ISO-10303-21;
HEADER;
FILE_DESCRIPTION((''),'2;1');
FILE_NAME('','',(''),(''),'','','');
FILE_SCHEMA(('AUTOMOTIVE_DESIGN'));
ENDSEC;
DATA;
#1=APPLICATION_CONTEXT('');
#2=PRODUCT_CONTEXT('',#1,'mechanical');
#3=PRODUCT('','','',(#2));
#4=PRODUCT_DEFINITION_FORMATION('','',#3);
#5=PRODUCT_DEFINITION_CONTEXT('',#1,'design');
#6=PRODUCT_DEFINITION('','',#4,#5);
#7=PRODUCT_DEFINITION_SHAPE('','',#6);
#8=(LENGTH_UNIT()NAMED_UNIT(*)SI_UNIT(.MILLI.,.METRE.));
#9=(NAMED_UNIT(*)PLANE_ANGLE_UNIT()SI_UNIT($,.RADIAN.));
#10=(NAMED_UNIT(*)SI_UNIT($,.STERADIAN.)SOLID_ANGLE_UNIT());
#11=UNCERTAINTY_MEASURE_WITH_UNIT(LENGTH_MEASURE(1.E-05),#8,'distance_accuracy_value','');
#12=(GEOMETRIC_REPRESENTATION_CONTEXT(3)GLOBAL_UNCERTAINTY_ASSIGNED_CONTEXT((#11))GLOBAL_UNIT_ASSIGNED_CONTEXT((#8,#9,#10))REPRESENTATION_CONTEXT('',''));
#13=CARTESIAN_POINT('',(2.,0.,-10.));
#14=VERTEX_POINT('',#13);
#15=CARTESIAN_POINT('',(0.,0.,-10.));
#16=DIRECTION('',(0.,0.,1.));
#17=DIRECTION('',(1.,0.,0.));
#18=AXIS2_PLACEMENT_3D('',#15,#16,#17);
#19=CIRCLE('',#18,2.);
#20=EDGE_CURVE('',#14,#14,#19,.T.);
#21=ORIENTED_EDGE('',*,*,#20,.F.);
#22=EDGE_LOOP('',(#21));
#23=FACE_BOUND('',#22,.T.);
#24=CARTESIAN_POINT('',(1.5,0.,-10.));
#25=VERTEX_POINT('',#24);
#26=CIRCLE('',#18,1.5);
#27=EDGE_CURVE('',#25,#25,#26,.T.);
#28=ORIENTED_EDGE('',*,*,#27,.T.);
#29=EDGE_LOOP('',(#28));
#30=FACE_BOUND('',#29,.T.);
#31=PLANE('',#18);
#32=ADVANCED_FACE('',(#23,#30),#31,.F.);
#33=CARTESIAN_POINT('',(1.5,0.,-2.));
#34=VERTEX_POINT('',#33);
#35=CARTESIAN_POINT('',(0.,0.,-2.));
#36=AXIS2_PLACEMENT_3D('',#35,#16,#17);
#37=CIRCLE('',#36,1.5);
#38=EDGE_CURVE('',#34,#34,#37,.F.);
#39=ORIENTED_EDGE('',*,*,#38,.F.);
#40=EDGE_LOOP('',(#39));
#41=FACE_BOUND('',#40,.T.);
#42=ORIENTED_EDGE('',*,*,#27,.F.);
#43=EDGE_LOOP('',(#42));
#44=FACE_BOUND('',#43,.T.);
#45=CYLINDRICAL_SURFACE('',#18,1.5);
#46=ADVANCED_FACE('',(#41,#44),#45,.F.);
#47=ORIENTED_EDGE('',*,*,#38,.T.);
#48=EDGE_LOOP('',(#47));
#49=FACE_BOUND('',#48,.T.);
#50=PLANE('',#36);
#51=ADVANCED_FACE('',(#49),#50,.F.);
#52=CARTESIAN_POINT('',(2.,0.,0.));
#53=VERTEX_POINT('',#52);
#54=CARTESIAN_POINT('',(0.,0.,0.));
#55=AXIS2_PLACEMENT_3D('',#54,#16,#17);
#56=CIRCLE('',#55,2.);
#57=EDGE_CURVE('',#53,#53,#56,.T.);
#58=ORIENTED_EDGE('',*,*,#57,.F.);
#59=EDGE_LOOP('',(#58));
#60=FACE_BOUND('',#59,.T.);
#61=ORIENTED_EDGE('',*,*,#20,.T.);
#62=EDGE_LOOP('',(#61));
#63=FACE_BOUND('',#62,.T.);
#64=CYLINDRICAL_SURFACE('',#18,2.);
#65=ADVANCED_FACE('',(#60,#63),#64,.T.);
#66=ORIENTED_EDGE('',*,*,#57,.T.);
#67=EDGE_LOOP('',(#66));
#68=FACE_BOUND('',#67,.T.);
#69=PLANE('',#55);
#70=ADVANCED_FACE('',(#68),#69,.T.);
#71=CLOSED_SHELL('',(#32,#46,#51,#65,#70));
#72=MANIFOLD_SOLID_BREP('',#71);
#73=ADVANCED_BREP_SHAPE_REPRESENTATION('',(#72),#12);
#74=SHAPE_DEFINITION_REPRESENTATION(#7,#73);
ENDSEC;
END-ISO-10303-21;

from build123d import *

# Parameters (mm, degrees)
SKETCH2_R           = 2
SKETCH2_R_2         = 1.5
BOSS_EXTRUDE1_DEPTH = 10
SKETCH2_2_R         = 2
BOSS_EXTRUDE2_DEPTH = 2


with BuildPart() as part:
    # Sketch2 → Boss-Extrude1 (new body)
    with BuildSketch(Plane.XY):
        Circle(SKETCH2_R)
        Circle(SKETCH2_R_2, mode=Mode.SUBTRACT)
    extrude(amount=-BOSS_EXTRUDE1_DEPTH)

    # Sketch2<2> → Boss-Extrude2 (add)
    with BuildSketch(Plane.XY):
        Circle(SKETCH2_2_R)
    extrude(amount=-BOSS_EXTRUDE2_DEPTH)


solid = part.part
